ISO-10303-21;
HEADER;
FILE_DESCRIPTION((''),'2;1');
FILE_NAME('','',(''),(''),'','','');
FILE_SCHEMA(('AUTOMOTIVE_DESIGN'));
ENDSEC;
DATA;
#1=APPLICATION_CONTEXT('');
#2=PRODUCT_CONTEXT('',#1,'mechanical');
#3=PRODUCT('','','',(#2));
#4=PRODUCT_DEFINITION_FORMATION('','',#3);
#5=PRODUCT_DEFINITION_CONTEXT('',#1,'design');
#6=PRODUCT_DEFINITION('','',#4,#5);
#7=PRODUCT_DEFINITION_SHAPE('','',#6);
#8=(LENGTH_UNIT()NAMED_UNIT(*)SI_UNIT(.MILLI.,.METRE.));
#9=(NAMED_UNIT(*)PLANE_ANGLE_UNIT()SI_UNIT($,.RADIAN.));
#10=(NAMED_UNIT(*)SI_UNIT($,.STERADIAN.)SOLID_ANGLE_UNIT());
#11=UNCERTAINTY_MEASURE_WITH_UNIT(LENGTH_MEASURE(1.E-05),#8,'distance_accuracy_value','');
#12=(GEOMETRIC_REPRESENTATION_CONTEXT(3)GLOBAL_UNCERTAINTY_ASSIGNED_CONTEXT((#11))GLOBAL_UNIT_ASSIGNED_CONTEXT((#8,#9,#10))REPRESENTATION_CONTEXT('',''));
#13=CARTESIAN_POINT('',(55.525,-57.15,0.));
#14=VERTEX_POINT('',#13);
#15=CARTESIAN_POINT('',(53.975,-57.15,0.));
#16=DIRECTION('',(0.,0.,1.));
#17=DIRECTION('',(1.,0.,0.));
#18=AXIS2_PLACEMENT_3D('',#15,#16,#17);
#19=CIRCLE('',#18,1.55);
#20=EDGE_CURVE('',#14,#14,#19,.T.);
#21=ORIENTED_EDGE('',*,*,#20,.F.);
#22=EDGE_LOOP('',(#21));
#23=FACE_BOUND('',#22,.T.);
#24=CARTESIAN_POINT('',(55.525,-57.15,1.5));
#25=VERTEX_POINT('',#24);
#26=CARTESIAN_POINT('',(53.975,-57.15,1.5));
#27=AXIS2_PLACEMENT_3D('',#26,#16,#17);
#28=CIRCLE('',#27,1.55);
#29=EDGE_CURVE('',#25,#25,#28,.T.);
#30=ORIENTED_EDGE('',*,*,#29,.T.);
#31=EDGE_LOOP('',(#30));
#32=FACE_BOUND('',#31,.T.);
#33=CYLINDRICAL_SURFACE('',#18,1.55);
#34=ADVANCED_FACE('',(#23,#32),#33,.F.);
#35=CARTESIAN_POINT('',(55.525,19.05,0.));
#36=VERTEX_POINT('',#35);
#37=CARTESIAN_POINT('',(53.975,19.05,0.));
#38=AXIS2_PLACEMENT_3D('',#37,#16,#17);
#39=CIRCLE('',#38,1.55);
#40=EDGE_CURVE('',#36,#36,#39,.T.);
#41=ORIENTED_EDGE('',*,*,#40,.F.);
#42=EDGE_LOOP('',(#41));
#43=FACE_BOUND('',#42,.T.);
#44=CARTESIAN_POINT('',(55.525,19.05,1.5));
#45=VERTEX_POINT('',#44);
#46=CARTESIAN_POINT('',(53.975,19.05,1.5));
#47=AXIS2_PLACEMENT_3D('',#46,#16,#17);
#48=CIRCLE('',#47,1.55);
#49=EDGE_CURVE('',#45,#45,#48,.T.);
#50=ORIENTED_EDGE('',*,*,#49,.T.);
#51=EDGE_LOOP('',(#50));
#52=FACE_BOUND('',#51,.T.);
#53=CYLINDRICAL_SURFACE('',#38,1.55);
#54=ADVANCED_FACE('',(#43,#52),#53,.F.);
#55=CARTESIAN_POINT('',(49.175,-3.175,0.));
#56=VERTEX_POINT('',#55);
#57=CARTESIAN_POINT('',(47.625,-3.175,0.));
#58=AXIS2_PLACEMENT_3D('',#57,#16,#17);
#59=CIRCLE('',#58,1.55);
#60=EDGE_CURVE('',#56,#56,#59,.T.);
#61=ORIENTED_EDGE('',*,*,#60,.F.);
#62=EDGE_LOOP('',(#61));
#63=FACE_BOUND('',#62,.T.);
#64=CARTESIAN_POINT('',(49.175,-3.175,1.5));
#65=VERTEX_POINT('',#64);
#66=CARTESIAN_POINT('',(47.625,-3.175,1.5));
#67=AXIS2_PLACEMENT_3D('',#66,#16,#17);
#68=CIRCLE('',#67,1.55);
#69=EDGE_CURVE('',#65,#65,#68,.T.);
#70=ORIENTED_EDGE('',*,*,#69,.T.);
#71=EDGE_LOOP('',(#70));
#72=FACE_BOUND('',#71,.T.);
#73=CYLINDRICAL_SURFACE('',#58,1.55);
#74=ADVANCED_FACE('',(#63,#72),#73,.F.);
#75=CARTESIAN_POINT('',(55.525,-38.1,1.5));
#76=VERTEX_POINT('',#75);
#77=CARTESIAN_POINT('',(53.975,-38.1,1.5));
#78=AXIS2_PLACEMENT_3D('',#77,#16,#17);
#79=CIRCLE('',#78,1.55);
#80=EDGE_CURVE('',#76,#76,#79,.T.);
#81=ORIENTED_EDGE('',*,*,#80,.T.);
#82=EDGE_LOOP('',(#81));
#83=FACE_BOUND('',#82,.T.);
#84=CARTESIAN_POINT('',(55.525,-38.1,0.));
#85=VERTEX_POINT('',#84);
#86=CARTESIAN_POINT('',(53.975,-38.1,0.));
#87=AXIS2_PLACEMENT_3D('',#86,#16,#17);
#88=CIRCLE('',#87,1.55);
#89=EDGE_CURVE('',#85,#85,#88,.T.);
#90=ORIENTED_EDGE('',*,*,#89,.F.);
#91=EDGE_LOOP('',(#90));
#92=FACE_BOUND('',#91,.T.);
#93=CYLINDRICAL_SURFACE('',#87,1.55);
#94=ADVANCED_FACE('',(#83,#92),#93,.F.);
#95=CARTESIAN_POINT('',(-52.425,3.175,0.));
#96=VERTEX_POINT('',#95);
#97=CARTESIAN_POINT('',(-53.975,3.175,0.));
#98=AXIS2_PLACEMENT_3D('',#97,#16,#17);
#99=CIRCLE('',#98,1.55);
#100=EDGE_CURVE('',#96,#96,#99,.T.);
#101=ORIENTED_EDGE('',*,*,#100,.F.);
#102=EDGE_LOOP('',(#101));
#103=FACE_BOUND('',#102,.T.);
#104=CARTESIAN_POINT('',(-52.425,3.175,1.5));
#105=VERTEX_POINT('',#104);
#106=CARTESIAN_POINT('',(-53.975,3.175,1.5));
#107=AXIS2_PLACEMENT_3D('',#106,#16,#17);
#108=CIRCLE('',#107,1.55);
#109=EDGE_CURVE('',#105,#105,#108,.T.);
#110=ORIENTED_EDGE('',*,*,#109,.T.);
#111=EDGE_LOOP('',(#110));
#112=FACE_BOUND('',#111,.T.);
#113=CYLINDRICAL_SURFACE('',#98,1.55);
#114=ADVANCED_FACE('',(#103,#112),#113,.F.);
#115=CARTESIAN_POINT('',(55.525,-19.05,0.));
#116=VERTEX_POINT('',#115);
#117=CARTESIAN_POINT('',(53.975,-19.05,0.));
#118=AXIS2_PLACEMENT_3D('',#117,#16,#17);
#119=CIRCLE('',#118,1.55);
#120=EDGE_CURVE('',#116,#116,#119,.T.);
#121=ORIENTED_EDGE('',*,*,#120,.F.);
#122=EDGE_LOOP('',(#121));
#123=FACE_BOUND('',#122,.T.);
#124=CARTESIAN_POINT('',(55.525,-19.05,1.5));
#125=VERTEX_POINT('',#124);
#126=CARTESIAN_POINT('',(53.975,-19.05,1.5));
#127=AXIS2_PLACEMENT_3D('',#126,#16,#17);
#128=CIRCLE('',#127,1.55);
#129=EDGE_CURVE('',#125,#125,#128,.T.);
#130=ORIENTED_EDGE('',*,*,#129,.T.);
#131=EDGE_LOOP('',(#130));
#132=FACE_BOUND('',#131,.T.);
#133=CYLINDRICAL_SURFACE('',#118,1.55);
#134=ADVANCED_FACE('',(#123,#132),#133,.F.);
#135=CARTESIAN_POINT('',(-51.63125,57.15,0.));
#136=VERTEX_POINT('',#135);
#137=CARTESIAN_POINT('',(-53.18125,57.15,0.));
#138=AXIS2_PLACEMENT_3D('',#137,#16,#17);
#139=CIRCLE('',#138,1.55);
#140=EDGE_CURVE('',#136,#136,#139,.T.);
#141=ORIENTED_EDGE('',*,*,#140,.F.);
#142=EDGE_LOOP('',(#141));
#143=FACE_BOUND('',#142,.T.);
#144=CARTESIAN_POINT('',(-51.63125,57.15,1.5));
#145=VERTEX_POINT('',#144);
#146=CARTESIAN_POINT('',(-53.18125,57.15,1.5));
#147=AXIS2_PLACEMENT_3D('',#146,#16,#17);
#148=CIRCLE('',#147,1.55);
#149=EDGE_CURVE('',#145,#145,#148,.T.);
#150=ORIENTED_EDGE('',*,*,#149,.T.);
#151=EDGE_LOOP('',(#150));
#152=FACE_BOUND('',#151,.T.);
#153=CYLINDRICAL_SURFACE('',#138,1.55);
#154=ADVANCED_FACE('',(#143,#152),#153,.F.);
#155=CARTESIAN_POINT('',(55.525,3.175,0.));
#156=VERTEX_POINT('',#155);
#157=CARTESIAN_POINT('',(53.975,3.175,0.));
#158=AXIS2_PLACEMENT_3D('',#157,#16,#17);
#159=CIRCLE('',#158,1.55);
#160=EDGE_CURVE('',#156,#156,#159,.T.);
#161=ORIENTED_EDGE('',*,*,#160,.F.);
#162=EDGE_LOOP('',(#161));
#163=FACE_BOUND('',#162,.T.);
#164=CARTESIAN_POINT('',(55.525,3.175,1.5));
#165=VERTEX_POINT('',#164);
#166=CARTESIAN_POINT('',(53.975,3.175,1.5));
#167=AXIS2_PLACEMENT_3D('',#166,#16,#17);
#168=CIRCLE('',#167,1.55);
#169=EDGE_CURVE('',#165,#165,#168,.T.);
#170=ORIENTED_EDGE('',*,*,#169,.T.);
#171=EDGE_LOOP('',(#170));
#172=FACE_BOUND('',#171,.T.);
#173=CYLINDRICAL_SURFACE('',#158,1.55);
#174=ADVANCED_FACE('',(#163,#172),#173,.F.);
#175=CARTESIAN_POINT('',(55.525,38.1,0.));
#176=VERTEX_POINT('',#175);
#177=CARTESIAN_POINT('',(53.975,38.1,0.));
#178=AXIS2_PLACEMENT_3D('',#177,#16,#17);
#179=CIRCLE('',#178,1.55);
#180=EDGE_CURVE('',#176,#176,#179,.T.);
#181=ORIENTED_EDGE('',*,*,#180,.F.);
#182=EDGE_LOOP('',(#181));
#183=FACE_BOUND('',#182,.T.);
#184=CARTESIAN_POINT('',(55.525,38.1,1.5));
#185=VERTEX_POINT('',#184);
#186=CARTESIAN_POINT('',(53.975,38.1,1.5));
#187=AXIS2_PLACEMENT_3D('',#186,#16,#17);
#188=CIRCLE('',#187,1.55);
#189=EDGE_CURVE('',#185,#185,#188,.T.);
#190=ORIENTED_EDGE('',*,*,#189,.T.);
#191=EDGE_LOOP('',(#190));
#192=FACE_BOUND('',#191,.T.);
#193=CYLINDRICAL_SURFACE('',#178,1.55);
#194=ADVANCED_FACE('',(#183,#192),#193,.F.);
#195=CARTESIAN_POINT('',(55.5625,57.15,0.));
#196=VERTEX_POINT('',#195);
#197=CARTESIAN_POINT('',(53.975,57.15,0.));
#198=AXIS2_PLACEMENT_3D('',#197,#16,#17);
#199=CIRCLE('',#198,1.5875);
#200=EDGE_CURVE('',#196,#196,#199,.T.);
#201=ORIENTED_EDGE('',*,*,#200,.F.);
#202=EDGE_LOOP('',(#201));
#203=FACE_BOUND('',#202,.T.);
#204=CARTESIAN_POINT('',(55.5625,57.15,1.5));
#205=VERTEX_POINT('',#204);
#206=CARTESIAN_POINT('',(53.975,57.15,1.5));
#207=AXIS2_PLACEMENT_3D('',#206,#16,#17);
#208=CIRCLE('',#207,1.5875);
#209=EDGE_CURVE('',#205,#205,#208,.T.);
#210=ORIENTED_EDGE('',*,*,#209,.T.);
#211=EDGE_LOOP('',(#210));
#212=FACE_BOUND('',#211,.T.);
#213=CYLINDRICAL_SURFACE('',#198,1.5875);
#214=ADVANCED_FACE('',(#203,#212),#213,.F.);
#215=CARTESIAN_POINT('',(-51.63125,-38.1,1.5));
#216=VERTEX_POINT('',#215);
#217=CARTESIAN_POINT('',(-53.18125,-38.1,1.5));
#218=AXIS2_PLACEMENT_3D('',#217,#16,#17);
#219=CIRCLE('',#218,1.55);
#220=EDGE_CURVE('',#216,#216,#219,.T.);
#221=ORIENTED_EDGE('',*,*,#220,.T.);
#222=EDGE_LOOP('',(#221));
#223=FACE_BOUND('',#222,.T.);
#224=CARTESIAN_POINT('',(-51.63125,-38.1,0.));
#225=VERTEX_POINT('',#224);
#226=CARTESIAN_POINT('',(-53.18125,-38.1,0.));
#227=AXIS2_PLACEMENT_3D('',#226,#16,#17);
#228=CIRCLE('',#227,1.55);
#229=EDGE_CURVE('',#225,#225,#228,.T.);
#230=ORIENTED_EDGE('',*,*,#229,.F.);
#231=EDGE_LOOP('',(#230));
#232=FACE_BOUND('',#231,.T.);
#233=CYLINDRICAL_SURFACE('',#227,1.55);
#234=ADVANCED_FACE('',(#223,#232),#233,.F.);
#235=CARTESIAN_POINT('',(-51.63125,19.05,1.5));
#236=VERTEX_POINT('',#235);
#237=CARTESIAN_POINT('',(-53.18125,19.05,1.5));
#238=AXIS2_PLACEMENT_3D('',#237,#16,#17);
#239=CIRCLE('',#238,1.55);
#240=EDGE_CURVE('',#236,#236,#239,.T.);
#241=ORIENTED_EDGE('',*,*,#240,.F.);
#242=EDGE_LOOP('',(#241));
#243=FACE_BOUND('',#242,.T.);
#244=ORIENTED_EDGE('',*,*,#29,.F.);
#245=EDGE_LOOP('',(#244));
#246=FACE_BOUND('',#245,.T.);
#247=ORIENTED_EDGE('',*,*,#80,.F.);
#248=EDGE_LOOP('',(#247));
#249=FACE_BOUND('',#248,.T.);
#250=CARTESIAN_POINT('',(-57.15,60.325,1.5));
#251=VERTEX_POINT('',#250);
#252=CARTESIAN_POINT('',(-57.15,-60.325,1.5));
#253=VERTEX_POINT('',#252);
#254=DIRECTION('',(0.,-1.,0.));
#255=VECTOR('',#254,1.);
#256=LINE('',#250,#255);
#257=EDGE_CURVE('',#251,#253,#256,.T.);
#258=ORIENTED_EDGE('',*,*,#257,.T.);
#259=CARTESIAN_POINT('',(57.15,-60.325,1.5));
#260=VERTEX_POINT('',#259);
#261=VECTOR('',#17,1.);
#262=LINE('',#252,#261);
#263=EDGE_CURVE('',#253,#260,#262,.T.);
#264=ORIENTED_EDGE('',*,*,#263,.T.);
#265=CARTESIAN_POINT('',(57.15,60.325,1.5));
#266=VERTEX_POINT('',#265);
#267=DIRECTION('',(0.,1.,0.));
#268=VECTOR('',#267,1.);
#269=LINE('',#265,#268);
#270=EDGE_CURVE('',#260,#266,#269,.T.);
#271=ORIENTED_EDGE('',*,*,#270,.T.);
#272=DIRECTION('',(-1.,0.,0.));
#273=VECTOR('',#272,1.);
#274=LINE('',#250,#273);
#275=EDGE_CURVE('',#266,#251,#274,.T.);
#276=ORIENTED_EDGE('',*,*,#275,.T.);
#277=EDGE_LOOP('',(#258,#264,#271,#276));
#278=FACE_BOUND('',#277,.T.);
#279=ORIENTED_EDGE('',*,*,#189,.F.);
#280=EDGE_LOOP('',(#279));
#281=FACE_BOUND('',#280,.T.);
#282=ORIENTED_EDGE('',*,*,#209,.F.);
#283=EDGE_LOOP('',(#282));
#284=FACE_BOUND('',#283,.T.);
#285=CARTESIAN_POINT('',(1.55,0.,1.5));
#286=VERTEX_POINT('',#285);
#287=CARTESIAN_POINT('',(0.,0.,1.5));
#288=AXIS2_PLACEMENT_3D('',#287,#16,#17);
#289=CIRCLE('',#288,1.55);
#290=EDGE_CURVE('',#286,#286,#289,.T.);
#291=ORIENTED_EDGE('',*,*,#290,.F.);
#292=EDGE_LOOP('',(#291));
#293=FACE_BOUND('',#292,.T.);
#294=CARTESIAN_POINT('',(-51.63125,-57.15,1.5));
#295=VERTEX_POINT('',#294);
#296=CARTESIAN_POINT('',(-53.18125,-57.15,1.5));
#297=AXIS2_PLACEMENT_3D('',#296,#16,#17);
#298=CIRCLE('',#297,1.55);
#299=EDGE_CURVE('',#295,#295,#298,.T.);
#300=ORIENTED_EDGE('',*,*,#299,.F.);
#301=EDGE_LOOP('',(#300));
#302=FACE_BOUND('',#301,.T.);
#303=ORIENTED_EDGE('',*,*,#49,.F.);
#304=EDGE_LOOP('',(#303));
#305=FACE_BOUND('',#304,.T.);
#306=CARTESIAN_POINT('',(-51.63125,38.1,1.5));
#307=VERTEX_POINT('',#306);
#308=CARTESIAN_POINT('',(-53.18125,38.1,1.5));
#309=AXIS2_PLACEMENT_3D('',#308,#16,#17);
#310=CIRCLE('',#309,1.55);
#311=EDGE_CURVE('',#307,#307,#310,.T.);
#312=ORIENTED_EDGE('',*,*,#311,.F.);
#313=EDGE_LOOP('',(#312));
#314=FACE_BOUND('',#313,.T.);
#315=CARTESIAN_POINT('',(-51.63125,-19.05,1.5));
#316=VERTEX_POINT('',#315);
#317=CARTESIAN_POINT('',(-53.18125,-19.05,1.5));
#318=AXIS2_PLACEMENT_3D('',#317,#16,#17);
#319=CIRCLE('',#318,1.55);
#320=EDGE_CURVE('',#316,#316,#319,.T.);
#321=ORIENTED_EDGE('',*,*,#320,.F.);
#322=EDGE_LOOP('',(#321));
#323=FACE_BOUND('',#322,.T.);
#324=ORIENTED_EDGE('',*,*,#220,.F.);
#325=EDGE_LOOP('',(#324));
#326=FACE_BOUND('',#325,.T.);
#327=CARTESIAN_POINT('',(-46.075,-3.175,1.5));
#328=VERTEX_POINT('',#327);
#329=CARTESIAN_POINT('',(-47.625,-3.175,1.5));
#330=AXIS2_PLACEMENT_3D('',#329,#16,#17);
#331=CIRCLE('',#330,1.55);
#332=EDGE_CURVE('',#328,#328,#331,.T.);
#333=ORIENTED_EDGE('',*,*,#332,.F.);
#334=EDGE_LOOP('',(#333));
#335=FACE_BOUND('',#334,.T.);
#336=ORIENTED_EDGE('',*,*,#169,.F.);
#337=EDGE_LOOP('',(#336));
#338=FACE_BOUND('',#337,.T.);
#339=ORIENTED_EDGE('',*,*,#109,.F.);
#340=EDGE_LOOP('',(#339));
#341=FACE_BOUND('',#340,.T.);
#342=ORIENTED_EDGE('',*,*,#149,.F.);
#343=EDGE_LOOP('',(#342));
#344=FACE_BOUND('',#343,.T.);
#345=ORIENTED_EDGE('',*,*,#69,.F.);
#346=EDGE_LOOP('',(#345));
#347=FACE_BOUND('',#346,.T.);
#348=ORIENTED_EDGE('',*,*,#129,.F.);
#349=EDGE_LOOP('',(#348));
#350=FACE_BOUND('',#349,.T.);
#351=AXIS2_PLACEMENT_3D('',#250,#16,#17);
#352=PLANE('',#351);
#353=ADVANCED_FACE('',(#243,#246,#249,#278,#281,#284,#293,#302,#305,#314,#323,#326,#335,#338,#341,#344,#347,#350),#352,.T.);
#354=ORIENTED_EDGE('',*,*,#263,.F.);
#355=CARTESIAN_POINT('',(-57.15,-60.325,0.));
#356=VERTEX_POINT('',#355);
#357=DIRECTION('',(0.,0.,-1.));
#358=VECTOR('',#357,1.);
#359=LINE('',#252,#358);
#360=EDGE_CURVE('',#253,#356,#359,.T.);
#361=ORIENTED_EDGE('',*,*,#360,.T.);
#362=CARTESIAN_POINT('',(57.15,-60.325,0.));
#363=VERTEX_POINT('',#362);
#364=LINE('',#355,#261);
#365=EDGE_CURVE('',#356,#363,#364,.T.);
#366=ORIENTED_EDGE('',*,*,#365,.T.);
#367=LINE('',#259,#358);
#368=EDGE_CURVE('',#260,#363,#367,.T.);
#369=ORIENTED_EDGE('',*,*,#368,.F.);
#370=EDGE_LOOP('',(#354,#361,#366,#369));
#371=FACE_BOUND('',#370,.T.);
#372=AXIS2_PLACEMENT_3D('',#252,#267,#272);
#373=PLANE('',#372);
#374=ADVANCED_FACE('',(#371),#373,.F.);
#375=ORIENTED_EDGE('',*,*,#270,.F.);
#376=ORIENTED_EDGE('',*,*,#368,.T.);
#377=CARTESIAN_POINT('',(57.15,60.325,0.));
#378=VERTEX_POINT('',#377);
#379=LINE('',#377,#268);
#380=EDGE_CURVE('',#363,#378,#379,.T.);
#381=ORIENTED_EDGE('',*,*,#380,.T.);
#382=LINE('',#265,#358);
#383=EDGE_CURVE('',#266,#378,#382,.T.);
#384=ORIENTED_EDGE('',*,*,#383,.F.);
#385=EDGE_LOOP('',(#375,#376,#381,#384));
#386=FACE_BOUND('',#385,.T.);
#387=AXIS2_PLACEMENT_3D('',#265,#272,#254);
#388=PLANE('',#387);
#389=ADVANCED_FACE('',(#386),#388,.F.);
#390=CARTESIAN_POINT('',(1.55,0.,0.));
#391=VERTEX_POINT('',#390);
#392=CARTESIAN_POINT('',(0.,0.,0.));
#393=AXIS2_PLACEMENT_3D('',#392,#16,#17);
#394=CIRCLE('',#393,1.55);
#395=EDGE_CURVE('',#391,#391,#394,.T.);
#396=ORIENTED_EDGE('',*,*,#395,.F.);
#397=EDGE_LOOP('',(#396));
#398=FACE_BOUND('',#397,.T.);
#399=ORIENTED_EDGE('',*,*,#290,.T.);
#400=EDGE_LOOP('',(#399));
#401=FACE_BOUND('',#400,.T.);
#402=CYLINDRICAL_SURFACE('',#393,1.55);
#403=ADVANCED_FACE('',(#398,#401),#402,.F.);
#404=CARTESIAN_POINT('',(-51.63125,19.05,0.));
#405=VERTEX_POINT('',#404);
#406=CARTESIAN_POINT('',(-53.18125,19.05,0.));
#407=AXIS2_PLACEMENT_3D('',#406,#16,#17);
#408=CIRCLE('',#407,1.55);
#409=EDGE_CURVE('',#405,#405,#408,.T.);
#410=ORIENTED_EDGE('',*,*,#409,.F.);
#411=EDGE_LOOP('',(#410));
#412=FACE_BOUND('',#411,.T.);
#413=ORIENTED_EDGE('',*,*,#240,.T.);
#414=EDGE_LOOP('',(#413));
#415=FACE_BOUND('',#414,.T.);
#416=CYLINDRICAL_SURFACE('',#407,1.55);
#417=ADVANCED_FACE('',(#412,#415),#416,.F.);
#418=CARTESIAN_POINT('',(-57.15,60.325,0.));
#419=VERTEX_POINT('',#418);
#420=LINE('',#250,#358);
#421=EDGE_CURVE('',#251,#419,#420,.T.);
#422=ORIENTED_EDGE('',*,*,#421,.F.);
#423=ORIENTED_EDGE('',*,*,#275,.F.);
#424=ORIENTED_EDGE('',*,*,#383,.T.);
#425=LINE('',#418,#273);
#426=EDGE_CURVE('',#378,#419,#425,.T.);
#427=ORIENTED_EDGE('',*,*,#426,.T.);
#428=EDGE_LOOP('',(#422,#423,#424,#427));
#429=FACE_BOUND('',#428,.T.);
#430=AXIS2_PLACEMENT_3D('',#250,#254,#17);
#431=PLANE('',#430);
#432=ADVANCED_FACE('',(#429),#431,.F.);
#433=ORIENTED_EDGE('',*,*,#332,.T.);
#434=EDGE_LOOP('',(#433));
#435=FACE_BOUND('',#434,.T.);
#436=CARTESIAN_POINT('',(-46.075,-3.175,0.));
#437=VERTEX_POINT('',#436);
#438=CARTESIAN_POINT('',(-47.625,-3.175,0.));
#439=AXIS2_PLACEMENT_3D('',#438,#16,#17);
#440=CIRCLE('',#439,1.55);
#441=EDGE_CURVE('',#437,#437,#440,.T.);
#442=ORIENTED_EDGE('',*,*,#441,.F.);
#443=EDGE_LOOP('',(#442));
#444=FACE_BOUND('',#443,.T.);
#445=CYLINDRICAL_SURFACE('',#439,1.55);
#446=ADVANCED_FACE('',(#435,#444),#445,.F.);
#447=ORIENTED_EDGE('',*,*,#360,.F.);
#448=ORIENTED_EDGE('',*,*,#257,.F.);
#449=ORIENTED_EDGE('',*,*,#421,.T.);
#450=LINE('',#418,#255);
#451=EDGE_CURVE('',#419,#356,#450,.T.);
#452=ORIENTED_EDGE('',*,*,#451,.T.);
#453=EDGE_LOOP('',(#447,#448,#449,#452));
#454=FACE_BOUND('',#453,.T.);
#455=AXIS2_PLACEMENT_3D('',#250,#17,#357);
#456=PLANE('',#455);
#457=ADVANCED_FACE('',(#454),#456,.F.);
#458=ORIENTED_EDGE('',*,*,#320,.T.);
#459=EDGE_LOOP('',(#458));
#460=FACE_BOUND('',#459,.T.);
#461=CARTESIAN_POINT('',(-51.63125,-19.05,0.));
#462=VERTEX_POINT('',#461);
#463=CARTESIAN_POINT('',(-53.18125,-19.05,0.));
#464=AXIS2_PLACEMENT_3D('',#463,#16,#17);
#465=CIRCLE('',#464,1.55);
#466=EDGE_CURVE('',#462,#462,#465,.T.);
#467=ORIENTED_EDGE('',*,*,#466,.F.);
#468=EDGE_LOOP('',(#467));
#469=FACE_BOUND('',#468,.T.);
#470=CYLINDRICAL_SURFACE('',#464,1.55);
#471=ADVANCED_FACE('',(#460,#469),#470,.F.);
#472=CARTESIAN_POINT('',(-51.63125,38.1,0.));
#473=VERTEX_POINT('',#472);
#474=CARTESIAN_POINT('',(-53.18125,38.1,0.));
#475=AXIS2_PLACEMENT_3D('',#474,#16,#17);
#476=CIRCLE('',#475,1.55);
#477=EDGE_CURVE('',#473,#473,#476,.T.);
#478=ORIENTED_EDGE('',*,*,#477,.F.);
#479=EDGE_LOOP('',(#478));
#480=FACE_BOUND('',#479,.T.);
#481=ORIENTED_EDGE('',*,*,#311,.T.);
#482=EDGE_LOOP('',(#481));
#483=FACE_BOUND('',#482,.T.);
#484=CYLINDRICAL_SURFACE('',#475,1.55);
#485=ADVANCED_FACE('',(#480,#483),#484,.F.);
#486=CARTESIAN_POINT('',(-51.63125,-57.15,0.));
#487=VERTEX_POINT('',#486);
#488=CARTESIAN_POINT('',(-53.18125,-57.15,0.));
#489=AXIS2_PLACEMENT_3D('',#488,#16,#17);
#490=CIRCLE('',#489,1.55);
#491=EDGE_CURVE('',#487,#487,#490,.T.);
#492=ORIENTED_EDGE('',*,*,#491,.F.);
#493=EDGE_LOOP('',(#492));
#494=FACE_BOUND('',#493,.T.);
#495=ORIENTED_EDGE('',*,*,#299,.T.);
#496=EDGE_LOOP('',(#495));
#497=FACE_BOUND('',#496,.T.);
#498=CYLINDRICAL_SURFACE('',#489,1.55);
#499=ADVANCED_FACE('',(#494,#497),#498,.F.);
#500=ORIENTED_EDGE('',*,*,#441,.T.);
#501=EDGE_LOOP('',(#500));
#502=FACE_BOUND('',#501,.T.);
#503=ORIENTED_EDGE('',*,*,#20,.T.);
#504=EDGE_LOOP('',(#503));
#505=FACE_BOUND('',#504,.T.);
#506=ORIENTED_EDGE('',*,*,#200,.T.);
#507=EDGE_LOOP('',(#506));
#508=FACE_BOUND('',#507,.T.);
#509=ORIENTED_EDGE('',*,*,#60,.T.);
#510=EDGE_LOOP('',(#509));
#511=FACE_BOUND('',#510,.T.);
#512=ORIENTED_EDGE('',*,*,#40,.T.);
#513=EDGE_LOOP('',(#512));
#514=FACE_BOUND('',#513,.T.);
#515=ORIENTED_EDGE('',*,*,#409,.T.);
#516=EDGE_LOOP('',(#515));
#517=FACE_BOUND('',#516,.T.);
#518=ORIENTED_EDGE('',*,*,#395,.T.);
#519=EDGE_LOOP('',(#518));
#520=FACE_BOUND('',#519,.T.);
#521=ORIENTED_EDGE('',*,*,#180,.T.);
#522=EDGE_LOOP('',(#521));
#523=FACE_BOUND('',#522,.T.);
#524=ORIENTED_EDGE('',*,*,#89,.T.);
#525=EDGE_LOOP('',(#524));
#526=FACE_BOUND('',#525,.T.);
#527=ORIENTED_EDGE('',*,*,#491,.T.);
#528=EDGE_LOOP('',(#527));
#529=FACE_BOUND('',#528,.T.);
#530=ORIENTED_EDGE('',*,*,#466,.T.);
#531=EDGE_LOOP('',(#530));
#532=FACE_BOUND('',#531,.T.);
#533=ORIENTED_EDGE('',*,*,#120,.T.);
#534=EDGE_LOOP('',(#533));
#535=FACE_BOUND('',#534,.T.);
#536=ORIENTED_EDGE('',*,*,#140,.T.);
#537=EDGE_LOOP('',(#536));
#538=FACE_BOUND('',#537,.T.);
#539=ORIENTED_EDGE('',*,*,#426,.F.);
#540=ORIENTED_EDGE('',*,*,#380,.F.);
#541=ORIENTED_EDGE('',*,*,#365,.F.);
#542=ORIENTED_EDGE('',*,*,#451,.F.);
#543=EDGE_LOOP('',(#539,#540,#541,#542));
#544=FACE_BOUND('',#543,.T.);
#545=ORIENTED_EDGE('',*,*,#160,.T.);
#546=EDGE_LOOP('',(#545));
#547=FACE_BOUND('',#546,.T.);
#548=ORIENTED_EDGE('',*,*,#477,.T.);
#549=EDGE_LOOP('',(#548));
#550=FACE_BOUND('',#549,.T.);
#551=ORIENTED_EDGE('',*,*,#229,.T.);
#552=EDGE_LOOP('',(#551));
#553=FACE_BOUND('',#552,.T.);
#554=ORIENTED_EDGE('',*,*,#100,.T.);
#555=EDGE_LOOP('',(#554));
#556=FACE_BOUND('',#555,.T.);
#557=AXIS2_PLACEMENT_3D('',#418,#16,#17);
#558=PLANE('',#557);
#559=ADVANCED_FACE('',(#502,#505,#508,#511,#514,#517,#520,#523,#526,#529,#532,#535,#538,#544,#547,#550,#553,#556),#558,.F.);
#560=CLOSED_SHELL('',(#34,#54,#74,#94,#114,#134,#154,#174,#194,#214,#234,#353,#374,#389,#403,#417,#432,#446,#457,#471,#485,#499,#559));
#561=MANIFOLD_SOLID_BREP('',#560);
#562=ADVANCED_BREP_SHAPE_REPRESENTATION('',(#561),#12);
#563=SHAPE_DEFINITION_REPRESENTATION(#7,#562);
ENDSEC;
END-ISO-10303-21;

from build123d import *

# Parameters (mm, degrees)
SKETCH1_W          = 114.3
SKETCH1_H          = 120.65
EXTRUDE1_DEPTH     = 1.5
SKETCH2_R          = 1.55
SKETCH2_R_2        = 1.5875
CUT_EXTRUDE1_DEPTH = 84.111239463


with BuildPart() as part:
    # Sketch1 → Extrude1 (new body)
    with BuildSketch(Plane.XY):
        Rectangle(SKETCH1_W, SKETCH1_H)
    extrude(amount=EXTRUDE1_DEPTH)

    # Sketch2 → Cut-Extrude1 (cut, through all)
    with BuildSketch(Plane.XY.offset(1.5)):
        with Locations((-53.975, 3.175)):
            Circle(SKETCH2_R)
        with Locations((-47.625, -3.175)):
            Circle(SKETCH2_R)
        with Locations((53.975, 3.175)):
            Circle(SKETCH2_R)
        with Locations((47.625, -3.175)):
            Circle(SKETCH2_R)
        Circle(SKETCH2_R)
        with Locations((-53.18125, 57.15)):
            Circle(SKETCH2_R)
        with Locations((-53.18125, -19.05)):
            Circle(SKETCH2_R)
        with Locations((-53.18125, 38.1)):
            Circle(SKETCH2_R)
        with Locations((-53.18125, 19.05)):
            Circle(SKETCH2_R)
        with Locations((-53.18125, -38.1)):
            Circle(SKETCH2_R)
        with Locations((-53.18125, -57.15)):
            Circle(SKETCH2_R)
        with Locations((53.975, 57.15)):
            Circle(SKETCH2_R_2)
        with Locations((53.975, 38.1)):
            Circle(SKETCH2_R)
        with Locations((53.975, 19.05)):
            Circle(SKETCH2_R)
        with Locations((53.975, -19.05)):
            Circle(SKETCH2_R)
        with Locations((53.975, -38.1)):
            Circle(SKETCH2_R)
        with Locations((53.975, -57.15)):
            Circle(SKETCH2_R)
    extrude(amount=-CUT_EXTRUDE1_DEPTH, mode=Mode.SUBTRACT)


solid = part.part
